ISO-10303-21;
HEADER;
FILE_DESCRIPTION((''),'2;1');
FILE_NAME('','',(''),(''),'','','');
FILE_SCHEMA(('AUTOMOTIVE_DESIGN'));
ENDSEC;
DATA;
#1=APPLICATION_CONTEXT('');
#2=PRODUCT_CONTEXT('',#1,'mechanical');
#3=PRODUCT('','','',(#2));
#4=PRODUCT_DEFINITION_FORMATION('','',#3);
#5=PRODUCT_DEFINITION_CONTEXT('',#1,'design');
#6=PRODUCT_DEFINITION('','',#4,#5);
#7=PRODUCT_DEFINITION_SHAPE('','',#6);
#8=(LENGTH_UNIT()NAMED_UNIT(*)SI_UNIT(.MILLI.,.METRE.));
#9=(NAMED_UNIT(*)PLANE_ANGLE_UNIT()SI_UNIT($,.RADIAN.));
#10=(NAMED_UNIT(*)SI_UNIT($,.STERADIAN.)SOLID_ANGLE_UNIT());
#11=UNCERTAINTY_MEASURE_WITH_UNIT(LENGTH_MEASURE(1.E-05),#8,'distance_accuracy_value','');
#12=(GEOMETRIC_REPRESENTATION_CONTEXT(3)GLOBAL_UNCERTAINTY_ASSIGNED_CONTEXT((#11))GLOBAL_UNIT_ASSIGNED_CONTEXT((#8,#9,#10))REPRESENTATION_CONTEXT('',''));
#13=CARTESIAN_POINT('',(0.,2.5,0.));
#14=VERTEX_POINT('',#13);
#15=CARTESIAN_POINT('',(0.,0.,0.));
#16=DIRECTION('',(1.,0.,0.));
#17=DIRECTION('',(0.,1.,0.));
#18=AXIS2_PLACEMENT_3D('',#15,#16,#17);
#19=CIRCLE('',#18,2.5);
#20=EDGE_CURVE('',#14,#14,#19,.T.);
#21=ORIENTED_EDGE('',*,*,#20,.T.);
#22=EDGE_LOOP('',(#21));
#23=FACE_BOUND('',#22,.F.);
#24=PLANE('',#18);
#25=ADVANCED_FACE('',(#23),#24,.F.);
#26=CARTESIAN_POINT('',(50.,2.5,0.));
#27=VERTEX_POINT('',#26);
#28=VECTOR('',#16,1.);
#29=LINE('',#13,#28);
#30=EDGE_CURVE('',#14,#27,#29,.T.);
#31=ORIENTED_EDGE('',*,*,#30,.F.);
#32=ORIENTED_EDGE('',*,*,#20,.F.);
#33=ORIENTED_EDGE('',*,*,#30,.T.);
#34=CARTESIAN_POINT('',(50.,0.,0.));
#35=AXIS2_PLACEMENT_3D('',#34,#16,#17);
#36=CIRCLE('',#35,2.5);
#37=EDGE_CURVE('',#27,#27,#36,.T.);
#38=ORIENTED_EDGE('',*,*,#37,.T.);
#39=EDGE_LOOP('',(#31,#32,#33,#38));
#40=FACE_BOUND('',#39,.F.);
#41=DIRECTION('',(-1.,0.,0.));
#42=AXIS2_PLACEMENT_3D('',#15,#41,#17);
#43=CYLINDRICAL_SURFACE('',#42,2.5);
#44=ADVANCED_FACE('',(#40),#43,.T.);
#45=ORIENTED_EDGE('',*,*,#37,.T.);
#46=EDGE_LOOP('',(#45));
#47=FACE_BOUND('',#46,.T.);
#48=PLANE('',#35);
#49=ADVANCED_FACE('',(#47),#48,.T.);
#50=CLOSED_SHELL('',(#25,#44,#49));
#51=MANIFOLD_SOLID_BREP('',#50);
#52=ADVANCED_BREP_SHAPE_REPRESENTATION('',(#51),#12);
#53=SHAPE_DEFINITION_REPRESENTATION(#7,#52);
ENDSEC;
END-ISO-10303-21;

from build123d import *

# Parameters (mm, degrees)
F1_R     = 2.5
F2_DEPTH = 50


with BuildPart() as f2:
    # F1 (on Right) → F2 (new body)
    with BuildSketch(Plane.YZ):
        Circle(F1_R)
    extrude(amount=F2_DEPTH)


with BuildPart() as f3_1:
    # F3: copy of F2
    add(f2.part)


solid = f3_1.part
